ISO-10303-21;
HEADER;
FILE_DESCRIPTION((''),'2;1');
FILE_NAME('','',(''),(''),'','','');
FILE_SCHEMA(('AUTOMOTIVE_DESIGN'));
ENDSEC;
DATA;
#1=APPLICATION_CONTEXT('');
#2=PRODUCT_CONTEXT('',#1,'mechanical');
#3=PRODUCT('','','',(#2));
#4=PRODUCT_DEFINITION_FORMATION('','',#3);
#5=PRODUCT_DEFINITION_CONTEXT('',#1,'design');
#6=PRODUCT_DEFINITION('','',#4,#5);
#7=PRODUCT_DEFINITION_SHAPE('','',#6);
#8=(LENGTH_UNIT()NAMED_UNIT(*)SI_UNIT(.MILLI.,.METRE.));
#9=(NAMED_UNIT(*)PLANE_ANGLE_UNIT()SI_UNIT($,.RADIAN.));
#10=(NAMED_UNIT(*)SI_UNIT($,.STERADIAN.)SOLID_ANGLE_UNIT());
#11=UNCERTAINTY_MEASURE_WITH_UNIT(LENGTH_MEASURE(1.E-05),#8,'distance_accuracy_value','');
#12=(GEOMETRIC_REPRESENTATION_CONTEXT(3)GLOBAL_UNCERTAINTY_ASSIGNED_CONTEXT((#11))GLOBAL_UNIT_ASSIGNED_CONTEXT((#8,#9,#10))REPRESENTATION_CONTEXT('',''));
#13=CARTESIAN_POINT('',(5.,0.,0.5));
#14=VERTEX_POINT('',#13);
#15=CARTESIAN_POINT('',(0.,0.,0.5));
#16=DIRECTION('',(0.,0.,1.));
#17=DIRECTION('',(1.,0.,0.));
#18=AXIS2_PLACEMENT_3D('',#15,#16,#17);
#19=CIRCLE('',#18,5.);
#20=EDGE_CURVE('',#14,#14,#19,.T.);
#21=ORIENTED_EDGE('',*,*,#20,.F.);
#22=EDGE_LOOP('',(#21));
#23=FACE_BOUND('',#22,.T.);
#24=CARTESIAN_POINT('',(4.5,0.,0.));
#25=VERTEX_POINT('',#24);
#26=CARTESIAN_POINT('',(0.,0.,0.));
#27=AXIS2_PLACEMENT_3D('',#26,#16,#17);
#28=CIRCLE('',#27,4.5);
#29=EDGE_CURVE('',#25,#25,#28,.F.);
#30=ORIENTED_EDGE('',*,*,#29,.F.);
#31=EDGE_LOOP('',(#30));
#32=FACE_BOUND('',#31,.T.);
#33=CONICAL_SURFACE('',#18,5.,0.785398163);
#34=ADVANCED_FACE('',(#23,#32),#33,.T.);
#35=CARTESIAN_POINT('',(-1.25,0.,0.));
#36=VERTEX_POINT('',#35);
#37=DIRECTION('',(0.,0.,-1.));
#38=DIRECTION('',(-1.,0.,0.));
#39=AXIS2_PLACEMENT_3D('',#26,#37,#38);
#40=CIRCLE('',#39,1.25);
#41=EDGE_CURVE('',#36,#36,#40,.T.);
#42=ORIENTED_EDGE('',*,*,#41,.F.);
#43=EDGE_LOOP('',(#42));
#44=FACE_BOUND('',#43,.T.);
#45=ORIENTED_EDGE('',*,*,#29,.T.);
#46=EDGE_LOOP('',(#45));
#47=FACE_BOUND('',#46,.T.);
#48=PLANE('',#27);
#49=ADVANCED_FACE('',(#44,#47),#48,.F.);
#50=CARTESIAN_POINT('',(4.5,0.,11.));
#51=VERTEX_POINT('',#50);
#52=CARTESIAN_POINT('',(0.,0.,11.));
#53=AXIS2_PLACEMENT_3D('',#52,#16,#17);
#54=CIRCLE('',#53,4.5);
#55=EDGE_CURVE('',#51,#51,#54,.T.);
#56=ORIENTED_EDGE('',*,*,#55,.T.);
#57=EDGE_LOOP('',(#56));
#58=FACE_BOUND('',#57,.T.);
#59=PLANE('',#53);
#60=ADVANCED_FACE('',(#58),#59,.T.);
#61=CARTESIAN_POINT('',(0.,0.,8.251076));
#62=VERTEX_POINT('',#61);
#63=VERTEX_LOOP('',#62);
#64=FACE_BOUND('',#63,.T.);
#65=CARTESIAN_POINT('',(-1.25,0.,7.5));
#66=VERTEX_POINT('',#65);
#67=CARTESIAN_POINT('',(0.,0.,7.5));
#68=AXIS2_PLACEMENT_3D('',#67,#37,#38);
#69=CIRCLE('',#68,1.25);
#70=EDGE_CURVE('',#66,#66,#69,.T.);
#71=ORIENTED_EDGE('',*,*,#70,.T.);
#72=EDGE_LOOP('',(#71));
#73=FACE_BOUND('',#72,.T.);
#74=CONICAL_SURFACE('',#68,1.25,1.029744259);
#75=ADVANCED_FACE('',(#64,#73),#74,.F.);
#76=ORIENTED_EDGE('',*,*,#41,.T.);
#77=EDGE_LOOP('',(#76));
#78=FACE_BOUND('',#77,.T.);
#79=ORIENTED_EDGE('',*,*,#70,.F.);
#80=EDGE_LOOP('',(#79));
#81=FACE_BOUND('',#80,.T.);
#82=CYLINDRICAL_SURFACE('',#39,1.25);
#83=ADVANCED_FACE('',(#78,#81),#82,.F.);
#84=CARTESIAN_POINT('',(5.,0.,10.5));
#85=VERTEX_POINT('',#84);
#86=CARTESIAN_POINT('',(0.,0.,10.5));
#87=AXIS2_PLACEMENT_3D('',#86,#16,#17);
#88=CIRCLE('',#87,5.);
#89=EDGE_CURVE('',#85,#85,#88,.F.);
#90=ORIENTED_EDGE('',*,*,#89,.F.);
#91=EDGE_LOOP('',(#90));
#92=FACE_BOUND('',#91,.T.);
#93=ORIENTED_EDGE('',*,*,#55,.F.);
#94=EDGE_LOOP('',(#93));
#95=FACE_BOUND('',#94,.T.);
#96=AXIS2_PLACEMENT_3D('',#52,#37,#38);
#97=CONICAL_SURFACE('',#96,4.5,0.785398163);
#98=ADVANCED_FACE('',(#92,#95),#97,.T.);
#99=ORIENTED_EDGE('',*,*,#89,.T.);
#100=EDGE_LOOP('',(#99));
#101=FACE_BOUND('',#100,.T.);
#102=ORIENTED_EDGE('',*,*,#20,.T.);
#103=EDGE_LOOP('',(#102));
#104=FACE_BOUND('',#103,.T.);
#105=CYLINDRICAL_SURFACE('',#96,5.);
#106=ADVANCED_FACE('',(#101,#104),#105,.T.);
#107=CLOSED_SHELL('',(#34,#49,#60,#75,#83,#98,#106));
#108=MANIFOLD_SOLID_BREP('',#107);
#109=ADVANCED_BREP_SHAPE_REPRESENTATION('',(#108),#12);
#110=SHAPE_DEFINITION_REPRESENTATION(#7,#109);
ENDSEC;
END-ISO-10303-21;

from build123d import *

# Parameters (mm, degrees)
SKETCH1_R             = 5
BOSS_EXTRUDE1_DEPTH   = 11
M3_TAPPED_HOLE1_D     = 2.5
M3_TAPPED_HOLE1_DEPTH = 7.5
M3_TAPPED_HOLE1_TIP   = 0.751075774
CHAMFER2_SIZE         = 0.5


with BuildPart() as part:
    # Sketch1 → Boss-Extrude1 (new body)
    with BuildSketch(Plane.XY):
        Circle(SKETCH1_R)
    extrude(amount=BOSS_EXTRUDE1_DEPTH)

    # M3 Tapped Hole1
    with Locations(Plane(origin=(0, 0, 0), x_dir=(-1, 0, 0), z_dir=(0, 0, -1))):
        with Locations((0, 0)):
            Hole(M3_TAPPED_HOLE1_D / 2, depth=M3_TAPPED_HOLE1_DEPTH)
            with Locations((0, 0, -(M3_TAPPED_HOLE1_DEPTH + M3_TAPPED_HOLE1_TIP / 2))):  # 118° drill point
                Cone(0, M3_TAPPED_HOLE1_D / 2, M3_TAPPED_HOLE1_TIP, mode=Mode.SUBTRACT)

    # Chamfer2
    chamfer2_edges = [part.edges().sort_by_distance(p)[0] for p in [
        (-5, 0, 0),
        (-5, 0, 11),
    ]]
    chamfer(chamfer2_edges, length=CHAMFER2_SIZE)


solid = part.part
